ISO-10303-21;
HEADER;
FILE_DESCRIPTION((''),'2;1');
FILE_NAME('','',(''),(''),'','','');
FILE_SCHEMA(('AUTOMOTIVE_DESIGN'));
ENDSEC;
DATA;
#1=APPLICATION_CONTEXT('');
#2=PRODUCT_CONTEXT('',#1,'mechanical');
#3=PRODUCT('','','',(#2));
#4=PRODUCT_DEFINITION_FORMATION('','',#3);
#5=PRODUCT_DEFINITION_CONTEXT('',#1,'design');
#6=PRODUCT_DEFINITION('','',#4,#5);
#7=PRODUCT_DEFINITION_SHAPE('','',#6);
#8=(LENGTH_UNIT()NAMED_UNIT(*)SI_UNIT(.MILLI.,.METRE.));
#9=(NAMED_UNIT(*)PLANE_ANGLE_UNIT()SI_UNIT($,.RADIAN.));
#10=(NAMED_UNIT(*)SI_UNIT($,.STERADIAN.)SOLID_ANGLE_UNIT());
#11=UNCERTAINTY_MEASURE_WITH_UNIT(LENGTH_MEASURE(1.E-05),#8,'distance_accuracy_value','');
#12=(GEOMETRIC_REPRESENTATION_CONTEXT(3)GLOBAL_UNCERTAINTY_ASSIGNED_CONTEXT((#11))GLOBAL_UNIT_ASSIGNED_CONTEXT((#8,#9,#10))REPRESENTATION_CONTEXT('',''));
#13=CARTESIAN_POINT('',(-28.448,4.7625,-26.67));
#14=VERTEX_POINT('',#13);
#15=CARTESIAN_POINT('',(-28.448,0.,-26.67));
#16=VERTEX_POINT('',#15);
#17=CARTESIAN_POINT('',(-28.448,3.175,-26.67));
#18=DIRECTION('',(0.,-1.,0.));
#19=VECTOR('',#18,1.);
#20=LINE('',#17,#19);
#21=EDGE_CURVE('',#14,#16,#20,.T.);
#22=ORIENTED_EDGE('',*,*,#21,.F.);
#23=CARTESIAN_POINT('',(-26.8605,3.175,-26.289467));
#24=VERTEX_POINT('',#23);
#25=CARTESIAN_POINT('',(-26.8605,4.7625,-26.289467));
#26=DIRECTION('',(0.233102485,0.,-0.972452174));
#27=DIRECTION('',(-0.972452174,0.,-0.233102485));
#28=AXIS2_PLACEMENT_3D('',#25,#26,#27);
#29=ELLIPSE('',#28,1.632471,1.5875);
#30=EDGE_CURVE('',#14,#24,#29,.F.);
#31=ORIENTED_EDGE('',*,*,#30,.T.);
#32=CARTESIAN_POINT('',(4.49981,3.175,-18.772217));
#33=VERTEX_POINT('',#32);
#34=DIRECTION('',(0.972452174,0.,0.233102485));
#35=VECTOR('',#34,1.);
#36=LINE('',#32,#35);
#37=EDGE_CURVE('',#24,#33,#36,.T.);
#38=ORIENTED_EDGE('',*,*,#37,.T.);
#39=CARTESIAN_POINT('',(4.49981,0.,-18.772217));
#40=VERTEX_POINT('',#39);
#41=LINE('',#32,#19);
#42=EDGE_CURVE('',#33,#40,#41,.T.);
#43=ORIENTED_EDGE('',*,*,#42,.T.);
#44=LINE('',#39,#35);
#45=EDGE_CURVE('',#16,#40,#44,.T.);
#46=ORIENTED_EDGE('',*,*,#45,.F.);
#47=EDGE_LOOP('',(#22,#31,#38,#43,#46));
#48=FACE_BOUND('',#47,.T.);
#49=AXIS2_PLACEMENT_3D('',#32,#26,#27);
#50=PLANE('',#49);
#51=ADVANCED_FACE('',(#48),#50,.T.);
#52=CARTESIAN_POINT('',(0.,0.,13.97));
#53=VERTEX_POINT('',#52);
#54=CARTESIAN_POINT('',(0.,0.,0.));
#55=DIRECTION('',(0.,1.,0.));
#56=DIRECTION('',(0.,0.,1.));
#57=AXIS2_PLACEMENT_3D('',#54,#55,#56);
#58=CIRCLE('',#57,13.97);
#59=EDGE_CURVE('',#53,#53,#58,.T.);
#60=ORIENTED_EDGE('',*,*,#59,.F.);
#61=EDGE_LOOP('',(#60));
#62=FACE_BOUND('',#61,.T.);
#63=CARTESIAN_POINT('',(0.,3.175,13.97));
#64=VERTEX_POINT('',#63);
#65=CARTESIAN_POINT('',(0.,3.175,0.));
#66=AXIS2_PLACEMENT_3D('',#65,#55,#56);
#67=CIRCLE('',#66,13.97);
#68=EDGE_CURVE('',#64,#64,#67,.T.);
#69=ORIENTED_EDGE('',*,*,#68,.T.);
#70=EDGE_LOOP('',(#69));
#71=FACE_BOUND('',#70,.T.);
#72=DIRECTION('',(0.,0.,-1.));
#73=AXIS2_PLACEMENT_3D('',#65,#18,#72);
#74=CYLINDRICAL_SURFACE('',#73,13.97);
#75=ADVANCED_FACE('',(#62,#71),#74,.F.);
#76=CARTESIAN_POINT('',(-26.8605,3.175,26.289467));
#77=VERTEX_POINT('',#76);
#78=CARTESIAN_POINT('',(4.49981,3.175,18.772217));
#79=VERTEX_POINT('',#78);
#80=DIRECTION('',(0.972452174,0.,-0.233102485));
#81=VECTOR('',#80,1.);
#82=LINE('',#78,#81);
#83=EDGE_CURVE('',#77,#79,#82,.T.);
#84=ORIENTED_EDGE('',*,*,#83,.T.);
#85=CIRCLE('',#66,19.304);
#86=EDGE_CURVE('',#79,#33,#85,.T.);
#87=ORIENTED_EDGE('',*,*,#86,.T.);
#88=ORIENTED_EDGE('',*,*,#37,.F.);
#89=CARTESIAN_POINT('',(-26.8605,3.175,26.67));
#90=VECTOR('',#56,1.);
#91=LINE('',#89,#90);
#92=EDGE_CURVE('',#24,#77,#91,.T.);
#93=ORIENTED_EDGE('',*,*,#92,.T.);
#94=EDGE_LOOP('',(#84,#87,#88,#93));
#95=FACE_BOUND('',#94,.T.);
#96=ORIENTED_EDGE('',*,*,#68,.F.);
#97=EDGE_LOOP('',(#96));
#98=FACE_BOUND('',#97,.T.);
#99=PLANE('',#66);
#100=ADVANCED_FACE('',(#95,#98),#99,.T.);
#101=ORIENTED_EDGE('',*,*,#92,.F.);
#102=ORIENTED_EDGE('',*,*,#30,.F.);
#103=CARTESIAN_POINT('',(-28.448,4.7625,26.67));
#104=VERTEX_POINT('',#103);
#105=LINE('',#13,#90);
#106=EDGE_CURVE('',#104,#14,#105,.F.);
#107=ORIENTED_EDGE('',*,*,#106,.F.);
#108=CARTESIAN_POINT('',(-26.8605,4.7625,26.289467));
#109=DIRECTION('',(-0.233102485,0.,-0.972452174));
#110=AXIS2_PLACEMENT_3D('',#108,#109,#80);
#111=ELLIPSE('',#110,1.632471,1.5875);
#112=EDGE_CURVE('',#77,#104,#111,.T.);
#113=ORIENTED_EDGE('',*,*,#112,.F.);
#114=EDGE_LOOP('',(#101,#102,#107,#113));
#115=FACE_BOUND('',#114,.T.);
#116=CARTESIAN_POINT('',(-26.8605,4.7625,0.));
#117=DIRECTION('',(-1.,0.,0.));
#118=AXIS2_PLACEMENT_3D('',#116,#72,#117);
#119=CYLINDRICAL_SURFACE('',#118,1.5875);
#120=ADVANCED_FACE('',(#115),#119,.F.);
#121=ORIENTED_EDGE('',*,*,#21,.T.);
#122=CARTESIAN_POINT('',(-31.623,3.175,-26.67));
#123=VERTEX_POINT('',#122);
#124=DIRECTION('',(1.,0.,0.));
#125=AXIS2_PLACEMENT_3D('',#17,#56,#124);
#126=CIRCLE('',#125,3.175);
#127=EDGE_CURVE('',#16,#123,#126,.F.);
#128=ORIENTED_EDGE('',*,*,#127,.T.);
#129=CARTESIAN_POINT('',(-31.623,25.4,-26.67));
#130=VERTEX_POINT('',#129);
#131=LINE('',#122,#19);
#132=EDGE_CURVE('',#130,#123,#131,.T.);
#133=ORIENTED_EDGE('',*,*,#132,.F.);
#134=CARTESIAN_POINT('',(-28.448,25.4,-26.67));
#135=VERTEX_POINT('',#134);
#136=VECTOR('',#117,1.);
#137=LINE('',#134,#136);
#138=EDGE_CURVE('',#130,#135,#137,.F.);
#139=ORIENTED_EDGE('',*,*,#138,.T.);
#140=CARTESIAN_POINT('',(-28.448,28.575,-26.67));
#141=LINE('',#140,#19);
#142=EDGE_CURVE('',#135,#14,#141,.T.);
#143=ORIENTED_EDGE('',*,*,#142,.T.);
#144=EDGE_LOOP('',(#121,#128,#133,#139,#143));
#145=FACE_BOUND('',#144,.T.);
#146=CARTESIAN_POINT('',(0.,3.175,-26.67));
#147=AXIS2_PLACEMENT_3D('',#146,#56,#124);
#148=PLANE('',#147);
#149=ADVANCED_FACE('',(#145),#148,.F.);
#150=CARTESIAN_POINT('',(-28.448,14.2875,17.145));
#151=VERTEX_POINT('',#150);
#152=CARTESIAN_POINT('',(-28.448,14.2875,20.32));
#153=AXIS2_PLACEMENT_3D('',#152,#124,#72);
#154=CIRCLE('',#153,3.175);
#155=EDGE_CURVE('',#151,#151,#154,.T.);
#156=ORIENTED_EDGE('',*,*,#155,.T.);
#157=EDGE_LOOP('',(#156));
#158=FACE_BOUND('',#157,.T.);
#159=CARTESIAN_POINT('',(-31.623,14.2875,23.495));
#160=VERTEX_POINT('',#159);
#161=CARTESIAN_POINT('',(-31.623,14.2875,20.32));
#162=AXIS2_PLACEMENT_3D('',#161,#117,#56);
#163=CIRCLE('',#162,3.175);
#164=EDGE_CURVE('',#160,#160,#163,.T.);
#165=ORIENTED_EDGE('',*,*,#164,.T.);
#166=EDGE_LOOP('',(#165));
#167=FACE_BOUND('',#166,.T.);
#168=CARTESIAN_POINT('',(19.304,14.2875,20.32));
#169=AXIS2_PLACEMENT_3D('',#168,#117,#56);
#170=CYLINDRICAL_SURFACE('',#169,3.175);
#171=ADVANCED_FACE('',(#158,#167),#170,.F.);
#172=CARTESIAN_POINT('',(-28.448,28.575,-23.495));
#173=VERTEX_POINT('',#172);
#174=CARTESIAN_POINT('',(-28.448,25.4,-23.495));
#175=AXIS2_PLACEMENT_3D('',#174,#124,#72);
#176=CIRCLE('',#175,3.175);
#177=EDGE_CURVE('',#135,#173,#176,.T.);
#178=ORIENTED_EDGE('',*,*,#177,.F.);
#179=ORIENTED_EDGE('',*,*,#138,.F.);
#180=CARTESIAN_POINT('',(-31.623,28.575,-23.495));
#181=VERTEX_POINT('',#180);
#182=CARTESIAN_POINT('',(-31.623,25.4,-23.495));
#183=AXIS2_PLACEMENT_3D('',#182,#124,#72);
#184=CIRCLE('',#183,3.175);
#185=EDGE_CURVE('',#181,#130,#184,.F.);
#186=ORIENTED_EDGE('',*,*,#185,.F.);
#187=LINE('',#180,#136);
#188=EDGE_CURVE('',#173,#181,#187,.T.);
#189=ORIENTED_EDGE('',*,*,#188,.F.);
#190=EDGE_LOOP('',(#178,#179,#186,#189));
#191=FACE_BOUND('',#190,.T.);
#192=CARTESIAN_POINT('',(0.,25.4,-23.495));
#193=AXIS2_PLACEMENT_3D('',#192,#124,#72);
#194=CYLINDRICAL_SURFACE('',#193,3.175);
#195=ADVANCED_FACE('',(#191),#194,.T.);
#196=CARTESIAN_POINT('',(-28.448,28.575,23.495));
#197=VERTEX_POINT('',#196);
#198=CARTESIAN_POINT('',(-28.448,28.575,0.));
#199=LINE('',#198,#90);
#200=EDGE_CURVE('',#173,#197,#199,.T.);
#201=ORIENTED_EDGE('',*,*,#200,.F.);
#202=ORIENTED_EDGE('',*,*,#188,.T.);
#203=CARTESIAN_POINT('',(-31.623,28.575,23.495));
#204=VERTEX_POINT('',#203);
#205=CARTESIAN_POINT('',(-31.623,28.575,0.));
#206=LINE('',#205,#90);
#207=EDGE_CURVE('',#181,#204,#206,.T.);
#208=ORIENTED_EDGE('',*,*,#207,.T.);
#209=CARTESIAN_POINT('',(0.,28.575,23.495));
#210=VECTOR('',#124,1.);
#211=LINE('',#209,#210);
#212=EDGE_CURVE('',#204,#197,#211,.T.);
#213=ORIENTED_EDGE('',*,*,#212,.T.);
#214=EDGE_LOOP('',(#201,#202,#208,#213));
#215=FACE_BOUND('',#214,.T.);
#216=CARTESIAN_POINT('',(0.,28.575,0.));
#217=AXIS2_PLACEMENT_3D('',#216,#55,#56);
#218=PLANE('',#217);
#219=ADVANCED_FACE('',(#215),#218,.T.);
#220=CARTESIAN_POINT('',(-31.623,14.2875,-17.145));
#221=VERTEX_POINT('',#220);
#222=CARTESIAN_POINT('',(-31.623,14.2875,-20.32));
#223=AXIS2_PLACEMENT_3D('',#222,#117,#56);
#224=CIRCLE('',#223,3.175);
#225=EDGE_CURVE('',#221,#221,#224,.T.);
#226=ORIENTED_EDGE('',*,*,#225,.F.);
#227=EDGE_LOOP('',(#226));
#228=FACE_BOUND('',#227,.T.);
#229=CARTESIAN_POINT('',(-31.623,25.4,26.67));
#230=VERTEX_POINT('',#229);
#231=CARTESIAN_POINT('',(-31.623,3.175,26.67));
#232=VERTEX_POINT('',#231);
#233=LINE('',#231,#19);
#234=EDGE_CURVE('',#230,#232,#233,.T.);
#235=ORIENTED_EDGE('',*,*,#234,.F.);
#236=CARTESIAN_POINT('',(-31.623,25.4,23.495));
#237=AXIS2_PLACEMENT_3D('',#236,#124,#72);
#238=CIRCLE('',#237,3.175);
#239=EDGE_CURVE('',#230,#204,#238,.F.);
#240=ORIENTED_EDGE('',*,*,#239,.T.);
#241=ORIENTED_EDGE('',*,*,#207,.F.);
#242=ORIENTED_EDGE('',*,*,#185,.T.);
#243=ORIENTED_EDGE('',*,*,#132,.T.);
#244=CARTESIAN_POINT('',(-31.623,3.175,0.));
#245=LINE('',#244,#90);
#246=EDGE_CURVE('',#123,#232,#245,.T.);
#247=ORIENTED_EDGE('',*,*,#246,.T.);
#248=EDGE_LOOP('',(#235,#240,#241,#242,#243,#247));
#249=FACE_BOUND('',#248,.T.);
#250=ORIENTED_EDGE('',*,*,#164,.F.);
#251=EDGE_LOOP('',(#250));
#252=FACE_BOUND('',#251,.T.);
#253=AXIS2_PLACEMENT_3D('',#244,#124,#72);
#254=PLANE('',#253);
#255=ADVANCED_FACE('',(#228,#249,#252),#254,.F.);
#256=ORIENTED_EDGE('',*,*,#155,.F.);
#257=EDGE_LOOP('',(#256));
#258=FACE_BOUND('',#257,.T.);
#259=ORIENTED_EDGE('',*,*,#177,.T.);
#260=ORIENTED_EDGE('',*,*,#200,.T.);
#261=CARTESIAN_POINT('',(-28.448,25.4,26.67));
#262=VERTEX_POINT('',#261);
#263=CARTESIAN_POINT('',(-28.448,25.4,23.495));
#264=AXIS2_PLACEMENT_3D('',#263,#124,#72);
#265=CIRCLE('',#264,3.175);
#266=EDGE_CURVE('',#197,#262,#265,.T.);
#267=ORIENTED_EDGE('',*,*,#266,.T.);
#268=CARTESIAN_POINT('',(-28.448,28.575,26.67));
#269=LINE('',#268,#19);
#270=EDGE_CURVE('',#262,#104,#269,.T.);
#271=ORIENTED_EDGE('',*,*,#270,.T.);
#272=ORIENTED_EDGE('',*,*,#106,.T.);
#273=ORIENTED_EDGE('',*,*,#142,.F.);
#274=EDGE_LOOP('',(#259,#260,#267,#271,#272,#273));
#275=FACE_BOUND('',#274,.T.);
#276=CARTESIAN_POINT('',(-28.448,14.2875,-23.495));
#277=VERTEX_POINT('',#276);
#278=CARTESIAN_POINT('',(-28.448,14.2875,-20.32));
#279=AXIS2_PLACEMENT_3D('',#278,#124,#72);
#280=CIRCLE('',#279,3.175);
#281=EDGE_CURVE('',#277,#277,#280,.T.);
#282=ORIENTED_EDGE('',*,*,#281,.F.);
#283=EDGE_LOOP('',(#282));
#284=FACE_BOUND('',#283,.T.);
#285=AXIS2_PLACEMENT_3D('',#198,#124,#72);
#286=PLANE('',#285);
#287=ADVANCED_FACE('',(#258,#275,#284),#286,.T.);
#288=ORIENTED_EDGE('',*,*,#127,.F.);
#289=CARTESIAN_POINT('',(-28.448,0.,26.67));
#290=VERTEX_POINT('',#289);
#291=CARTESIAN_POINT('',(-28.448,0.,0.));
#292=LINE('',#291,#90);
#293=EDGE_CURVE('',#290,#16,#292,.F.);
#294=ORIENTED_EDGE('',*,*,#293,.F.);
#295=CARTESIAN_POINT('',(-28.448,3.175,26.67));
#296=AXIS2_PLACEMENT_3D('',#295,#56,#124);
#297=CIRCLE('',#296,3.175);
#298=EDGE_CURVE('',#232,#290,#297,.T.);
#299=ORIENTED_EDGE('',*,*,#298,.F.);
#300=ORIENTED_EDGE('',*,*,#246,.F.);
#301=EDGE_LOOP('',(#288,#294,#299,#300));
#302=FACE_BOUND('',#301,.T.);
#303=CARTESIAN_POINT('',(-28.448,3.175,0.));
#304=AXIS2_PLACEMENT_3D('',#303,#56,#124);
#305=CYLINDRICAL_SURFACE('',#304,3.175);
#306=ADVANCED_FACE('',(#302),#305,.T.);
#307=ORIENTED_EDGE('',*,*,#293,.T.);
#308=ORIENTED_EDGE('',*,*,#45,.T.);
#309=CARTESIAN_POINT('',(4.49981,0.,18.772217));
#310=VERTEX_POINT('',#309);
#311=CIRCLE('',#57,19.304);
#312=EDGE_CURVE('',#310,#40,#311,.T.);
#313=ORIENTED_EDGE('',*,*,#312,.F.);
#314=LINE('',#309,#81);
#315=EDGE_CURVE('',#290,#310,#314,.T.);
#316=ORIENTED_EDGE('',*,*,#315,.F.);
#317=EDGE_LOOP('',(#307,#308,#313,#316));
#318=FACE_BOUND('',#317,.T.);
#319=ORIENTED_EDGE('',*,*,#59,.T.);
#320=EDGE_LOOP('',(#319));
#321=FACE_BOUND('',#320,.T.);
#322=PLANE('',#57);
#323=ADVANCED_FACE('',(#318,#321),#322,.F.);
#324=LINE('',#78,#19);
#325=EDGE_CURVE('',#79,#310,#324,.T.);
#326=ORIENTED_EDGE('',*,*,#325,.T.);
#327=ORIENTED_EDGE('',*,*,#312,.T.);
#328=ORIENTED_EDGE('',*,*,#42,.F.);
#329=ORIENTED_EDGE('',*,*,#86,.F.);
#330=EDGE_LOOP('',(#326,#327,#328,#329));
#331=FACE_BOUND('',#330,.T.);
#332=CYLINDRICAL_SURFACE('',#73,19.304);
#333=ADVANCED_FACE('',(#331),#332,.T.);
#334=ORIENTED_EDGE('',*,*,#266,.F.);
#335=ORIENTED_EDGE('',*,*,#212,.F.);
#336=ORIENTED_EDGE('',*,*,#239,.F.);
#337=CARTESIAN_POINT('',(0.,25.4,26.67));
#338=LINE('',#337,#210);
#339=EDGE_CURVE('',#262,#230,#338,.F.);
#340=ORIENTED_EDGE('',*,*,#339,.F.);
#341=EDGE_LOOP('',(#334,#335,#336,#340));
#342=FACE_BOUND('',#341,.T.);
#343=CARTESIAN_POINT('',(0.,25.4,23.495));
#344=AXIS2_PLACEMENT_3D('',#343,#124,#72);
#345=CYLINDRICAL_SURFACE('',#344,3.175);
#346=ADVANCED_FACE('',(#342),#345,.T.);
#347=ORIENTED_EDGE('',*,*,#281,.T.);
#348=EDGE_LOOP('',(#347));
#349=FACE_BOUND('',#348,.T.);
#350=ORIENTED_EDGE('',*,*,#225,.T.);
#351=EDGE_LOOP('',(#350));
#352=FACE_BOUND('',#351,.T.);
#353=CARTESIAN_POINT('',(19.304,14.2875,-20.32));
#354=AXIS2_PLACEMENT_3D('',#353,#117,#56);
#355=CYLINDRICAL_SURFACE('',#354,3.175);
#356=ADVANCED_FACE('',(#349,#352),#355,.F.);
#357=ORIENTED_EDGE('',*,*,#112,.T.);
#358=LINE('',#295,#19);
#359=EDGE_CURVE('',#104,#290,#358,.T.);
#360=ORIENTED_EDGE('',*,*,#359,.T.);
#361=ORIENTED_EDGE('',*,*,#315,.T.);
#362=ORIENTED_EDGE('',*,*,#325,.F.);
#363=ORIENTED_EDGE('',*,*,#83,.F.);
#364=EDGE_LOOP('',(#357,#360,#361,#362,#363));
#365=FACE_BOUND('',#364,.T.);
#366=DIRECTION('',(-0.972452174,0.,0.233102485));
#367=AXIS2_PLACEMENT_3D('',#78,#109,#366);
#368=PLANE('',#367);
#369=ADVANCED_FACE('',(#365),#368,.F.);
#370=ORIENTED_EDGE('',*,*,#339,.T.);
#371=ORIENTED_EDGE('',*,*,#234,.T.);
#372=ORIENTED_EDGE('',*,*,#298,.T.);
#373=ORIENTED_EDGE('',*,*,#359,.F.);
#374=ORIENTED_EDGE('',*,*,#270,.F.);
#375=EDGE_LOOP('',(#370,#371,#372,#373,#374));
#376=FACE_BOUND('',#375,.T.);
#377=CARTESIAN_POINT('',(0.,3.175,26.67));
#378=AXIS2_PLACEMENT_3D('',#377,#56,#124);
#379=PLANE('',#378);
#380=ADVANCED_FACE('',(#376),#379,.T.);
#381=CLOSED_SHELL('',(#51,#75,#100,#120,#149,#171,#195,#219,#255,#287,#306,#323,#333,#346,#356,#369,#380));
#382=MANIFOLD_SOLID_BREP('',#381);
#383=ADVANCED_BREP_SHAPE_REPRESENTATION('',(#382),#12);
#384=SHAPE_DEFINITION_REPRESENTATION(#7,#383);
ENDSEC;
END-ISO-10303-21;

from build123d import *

# Parameters (mm, degrees)
SKETCH1_R           = 13.97
BOSS_EXTRUDE1_DEPTH = 3.175
SKETCH2_W           = 3.175
SKETCH2_H           = 53.34
BOSS_EXTRUDE2_DEPTH = 25.4
CUT_EXTRUDE1_DEPTH  = 51.927
FILLET1_R           = 1.5875
FILLET2_R           = 3.175
FILLET3_R           = 3.175


with BuildPart() as part:
    # Sketch1 → Boss-Extrude1 (new body)
    with BuildSketch(Plane(origin=(0, 0, 0), x_dir=(1, 0, 0), z_dir=(0, 1, 0))):
        with BuildLine():
            ThreePointArc((4.499810369, -18.772216775), (19.304, 0), (4.499810369, 18.772216775))
            Line((4.499810369, 18.772216775), (-28.448, 26.67))
            Line((-28.448, 26.67), (-31.623, 26.67))
            Line((-31.623, 26.67), (-31.623, -26.67))
            Line((-31.623, -26.67), (-28.448, -26.67))
            Line((-28.448, -26.67), (4.499810369, -18.772216775))
        make_face()
        Circle(SKETCH1_R, mode=Mode.SUBTRACT)
    extrude(amount=BOSS_EXTRUDE1_DEPTH)

    # Sketch2 → Boss-Extrude2 (add)
    with BuildSketch(Plane(origin=(0, 3.175, 0), x_dir=(1, 0, 0), z_dir=(0, 1, 0))):
        with Locations((-30.0355, 0)):
            Rectangle(SKETCH2_W, SKETCH2_H)
    extrude(amount=BOSS_EXTRUDE2_DEPTH)

    # Sketch6 → Cut-Extrude1 (cut, through all)
    with BuildSketch(Plane.ZY.offset(31.623)):
        with BuildLine():
            Line((-20.32, 11.1125), (-20.32, 14.2875))
            Line((-20.32, 14.2875), (-20.32, 17.4625))
            ThreePointArc((-20.32, 17.4625), (-23.495, 14.2875), (-20.32, 11.1125))
        make_face()
        with BuildLine():
            ThreePointArc((-20.32, 11.1125), (-18.07493597, 12.04243597), (-17.145, 14.2875))
            Line((-17.145, 14.2875), (-20.32, 14.2875))
            Line((-20.32, 14.2875), (-20.32, 11.1125))
        make_face()
        with BuildLine():
            Line((-20.32, 14.2875), (-17.145, 14.2875))
            ThreePointArc((-17.145, 14.2875), (-18.07493597, 16.53256403), (-20.32, 17.4625))
            Line((-20.32, 17.4625), (-20.32, 14.2875))
        make_face()
        with BuildLine():
            ThreePointArc((23.495, 14.2875), (20.32, 17.4625), (17.145, 14.2875))
            Line((17.145, 14.2875), (20.32, 14.2875))
            Line((20.32, 14.2875), (23.495, 14.2875))
        make_face()
        with BuildLine():
            Line((20.32, 14.2875), (17.145, 14.2875))
            ThreePointArc((17.145, 14.2875), (20.32, 11.1125), (23.495, 14.2875))
            Line((23.495, 14.2875), (20.32, 14.2875))
        make_face()
    extrude(amount=-CUT_EXTRUDE1_DEPTH, mode=Mode.SUBTRACT)

    # Fillet1
    fillet1_edges = [part.edges().sort_by_distance(p)[0] for p in [
        (-28.448, 3.175, 0),
    ]]
    fillet(fillet1_edges, radius=FILLET1_R)

    # Fillet2
    fillet2_edges = [part.edges().sort_by_distance(p)[0] for p in [
        (-31.623, 0, 0),
    ]]
    fillet(fillet2_edges, radius=FILLET2_R)

    # Fillet3
    fillet3_edges = [part.edges().sort_by_distance(p)[0] for p in [
        (-30.0355, 28.575, -26.67),
        (-30.0355, 28.575, 26.67),
    ]]
    fillet(fillet3_edges, radius=FILLET3_R)


solid = part.part
